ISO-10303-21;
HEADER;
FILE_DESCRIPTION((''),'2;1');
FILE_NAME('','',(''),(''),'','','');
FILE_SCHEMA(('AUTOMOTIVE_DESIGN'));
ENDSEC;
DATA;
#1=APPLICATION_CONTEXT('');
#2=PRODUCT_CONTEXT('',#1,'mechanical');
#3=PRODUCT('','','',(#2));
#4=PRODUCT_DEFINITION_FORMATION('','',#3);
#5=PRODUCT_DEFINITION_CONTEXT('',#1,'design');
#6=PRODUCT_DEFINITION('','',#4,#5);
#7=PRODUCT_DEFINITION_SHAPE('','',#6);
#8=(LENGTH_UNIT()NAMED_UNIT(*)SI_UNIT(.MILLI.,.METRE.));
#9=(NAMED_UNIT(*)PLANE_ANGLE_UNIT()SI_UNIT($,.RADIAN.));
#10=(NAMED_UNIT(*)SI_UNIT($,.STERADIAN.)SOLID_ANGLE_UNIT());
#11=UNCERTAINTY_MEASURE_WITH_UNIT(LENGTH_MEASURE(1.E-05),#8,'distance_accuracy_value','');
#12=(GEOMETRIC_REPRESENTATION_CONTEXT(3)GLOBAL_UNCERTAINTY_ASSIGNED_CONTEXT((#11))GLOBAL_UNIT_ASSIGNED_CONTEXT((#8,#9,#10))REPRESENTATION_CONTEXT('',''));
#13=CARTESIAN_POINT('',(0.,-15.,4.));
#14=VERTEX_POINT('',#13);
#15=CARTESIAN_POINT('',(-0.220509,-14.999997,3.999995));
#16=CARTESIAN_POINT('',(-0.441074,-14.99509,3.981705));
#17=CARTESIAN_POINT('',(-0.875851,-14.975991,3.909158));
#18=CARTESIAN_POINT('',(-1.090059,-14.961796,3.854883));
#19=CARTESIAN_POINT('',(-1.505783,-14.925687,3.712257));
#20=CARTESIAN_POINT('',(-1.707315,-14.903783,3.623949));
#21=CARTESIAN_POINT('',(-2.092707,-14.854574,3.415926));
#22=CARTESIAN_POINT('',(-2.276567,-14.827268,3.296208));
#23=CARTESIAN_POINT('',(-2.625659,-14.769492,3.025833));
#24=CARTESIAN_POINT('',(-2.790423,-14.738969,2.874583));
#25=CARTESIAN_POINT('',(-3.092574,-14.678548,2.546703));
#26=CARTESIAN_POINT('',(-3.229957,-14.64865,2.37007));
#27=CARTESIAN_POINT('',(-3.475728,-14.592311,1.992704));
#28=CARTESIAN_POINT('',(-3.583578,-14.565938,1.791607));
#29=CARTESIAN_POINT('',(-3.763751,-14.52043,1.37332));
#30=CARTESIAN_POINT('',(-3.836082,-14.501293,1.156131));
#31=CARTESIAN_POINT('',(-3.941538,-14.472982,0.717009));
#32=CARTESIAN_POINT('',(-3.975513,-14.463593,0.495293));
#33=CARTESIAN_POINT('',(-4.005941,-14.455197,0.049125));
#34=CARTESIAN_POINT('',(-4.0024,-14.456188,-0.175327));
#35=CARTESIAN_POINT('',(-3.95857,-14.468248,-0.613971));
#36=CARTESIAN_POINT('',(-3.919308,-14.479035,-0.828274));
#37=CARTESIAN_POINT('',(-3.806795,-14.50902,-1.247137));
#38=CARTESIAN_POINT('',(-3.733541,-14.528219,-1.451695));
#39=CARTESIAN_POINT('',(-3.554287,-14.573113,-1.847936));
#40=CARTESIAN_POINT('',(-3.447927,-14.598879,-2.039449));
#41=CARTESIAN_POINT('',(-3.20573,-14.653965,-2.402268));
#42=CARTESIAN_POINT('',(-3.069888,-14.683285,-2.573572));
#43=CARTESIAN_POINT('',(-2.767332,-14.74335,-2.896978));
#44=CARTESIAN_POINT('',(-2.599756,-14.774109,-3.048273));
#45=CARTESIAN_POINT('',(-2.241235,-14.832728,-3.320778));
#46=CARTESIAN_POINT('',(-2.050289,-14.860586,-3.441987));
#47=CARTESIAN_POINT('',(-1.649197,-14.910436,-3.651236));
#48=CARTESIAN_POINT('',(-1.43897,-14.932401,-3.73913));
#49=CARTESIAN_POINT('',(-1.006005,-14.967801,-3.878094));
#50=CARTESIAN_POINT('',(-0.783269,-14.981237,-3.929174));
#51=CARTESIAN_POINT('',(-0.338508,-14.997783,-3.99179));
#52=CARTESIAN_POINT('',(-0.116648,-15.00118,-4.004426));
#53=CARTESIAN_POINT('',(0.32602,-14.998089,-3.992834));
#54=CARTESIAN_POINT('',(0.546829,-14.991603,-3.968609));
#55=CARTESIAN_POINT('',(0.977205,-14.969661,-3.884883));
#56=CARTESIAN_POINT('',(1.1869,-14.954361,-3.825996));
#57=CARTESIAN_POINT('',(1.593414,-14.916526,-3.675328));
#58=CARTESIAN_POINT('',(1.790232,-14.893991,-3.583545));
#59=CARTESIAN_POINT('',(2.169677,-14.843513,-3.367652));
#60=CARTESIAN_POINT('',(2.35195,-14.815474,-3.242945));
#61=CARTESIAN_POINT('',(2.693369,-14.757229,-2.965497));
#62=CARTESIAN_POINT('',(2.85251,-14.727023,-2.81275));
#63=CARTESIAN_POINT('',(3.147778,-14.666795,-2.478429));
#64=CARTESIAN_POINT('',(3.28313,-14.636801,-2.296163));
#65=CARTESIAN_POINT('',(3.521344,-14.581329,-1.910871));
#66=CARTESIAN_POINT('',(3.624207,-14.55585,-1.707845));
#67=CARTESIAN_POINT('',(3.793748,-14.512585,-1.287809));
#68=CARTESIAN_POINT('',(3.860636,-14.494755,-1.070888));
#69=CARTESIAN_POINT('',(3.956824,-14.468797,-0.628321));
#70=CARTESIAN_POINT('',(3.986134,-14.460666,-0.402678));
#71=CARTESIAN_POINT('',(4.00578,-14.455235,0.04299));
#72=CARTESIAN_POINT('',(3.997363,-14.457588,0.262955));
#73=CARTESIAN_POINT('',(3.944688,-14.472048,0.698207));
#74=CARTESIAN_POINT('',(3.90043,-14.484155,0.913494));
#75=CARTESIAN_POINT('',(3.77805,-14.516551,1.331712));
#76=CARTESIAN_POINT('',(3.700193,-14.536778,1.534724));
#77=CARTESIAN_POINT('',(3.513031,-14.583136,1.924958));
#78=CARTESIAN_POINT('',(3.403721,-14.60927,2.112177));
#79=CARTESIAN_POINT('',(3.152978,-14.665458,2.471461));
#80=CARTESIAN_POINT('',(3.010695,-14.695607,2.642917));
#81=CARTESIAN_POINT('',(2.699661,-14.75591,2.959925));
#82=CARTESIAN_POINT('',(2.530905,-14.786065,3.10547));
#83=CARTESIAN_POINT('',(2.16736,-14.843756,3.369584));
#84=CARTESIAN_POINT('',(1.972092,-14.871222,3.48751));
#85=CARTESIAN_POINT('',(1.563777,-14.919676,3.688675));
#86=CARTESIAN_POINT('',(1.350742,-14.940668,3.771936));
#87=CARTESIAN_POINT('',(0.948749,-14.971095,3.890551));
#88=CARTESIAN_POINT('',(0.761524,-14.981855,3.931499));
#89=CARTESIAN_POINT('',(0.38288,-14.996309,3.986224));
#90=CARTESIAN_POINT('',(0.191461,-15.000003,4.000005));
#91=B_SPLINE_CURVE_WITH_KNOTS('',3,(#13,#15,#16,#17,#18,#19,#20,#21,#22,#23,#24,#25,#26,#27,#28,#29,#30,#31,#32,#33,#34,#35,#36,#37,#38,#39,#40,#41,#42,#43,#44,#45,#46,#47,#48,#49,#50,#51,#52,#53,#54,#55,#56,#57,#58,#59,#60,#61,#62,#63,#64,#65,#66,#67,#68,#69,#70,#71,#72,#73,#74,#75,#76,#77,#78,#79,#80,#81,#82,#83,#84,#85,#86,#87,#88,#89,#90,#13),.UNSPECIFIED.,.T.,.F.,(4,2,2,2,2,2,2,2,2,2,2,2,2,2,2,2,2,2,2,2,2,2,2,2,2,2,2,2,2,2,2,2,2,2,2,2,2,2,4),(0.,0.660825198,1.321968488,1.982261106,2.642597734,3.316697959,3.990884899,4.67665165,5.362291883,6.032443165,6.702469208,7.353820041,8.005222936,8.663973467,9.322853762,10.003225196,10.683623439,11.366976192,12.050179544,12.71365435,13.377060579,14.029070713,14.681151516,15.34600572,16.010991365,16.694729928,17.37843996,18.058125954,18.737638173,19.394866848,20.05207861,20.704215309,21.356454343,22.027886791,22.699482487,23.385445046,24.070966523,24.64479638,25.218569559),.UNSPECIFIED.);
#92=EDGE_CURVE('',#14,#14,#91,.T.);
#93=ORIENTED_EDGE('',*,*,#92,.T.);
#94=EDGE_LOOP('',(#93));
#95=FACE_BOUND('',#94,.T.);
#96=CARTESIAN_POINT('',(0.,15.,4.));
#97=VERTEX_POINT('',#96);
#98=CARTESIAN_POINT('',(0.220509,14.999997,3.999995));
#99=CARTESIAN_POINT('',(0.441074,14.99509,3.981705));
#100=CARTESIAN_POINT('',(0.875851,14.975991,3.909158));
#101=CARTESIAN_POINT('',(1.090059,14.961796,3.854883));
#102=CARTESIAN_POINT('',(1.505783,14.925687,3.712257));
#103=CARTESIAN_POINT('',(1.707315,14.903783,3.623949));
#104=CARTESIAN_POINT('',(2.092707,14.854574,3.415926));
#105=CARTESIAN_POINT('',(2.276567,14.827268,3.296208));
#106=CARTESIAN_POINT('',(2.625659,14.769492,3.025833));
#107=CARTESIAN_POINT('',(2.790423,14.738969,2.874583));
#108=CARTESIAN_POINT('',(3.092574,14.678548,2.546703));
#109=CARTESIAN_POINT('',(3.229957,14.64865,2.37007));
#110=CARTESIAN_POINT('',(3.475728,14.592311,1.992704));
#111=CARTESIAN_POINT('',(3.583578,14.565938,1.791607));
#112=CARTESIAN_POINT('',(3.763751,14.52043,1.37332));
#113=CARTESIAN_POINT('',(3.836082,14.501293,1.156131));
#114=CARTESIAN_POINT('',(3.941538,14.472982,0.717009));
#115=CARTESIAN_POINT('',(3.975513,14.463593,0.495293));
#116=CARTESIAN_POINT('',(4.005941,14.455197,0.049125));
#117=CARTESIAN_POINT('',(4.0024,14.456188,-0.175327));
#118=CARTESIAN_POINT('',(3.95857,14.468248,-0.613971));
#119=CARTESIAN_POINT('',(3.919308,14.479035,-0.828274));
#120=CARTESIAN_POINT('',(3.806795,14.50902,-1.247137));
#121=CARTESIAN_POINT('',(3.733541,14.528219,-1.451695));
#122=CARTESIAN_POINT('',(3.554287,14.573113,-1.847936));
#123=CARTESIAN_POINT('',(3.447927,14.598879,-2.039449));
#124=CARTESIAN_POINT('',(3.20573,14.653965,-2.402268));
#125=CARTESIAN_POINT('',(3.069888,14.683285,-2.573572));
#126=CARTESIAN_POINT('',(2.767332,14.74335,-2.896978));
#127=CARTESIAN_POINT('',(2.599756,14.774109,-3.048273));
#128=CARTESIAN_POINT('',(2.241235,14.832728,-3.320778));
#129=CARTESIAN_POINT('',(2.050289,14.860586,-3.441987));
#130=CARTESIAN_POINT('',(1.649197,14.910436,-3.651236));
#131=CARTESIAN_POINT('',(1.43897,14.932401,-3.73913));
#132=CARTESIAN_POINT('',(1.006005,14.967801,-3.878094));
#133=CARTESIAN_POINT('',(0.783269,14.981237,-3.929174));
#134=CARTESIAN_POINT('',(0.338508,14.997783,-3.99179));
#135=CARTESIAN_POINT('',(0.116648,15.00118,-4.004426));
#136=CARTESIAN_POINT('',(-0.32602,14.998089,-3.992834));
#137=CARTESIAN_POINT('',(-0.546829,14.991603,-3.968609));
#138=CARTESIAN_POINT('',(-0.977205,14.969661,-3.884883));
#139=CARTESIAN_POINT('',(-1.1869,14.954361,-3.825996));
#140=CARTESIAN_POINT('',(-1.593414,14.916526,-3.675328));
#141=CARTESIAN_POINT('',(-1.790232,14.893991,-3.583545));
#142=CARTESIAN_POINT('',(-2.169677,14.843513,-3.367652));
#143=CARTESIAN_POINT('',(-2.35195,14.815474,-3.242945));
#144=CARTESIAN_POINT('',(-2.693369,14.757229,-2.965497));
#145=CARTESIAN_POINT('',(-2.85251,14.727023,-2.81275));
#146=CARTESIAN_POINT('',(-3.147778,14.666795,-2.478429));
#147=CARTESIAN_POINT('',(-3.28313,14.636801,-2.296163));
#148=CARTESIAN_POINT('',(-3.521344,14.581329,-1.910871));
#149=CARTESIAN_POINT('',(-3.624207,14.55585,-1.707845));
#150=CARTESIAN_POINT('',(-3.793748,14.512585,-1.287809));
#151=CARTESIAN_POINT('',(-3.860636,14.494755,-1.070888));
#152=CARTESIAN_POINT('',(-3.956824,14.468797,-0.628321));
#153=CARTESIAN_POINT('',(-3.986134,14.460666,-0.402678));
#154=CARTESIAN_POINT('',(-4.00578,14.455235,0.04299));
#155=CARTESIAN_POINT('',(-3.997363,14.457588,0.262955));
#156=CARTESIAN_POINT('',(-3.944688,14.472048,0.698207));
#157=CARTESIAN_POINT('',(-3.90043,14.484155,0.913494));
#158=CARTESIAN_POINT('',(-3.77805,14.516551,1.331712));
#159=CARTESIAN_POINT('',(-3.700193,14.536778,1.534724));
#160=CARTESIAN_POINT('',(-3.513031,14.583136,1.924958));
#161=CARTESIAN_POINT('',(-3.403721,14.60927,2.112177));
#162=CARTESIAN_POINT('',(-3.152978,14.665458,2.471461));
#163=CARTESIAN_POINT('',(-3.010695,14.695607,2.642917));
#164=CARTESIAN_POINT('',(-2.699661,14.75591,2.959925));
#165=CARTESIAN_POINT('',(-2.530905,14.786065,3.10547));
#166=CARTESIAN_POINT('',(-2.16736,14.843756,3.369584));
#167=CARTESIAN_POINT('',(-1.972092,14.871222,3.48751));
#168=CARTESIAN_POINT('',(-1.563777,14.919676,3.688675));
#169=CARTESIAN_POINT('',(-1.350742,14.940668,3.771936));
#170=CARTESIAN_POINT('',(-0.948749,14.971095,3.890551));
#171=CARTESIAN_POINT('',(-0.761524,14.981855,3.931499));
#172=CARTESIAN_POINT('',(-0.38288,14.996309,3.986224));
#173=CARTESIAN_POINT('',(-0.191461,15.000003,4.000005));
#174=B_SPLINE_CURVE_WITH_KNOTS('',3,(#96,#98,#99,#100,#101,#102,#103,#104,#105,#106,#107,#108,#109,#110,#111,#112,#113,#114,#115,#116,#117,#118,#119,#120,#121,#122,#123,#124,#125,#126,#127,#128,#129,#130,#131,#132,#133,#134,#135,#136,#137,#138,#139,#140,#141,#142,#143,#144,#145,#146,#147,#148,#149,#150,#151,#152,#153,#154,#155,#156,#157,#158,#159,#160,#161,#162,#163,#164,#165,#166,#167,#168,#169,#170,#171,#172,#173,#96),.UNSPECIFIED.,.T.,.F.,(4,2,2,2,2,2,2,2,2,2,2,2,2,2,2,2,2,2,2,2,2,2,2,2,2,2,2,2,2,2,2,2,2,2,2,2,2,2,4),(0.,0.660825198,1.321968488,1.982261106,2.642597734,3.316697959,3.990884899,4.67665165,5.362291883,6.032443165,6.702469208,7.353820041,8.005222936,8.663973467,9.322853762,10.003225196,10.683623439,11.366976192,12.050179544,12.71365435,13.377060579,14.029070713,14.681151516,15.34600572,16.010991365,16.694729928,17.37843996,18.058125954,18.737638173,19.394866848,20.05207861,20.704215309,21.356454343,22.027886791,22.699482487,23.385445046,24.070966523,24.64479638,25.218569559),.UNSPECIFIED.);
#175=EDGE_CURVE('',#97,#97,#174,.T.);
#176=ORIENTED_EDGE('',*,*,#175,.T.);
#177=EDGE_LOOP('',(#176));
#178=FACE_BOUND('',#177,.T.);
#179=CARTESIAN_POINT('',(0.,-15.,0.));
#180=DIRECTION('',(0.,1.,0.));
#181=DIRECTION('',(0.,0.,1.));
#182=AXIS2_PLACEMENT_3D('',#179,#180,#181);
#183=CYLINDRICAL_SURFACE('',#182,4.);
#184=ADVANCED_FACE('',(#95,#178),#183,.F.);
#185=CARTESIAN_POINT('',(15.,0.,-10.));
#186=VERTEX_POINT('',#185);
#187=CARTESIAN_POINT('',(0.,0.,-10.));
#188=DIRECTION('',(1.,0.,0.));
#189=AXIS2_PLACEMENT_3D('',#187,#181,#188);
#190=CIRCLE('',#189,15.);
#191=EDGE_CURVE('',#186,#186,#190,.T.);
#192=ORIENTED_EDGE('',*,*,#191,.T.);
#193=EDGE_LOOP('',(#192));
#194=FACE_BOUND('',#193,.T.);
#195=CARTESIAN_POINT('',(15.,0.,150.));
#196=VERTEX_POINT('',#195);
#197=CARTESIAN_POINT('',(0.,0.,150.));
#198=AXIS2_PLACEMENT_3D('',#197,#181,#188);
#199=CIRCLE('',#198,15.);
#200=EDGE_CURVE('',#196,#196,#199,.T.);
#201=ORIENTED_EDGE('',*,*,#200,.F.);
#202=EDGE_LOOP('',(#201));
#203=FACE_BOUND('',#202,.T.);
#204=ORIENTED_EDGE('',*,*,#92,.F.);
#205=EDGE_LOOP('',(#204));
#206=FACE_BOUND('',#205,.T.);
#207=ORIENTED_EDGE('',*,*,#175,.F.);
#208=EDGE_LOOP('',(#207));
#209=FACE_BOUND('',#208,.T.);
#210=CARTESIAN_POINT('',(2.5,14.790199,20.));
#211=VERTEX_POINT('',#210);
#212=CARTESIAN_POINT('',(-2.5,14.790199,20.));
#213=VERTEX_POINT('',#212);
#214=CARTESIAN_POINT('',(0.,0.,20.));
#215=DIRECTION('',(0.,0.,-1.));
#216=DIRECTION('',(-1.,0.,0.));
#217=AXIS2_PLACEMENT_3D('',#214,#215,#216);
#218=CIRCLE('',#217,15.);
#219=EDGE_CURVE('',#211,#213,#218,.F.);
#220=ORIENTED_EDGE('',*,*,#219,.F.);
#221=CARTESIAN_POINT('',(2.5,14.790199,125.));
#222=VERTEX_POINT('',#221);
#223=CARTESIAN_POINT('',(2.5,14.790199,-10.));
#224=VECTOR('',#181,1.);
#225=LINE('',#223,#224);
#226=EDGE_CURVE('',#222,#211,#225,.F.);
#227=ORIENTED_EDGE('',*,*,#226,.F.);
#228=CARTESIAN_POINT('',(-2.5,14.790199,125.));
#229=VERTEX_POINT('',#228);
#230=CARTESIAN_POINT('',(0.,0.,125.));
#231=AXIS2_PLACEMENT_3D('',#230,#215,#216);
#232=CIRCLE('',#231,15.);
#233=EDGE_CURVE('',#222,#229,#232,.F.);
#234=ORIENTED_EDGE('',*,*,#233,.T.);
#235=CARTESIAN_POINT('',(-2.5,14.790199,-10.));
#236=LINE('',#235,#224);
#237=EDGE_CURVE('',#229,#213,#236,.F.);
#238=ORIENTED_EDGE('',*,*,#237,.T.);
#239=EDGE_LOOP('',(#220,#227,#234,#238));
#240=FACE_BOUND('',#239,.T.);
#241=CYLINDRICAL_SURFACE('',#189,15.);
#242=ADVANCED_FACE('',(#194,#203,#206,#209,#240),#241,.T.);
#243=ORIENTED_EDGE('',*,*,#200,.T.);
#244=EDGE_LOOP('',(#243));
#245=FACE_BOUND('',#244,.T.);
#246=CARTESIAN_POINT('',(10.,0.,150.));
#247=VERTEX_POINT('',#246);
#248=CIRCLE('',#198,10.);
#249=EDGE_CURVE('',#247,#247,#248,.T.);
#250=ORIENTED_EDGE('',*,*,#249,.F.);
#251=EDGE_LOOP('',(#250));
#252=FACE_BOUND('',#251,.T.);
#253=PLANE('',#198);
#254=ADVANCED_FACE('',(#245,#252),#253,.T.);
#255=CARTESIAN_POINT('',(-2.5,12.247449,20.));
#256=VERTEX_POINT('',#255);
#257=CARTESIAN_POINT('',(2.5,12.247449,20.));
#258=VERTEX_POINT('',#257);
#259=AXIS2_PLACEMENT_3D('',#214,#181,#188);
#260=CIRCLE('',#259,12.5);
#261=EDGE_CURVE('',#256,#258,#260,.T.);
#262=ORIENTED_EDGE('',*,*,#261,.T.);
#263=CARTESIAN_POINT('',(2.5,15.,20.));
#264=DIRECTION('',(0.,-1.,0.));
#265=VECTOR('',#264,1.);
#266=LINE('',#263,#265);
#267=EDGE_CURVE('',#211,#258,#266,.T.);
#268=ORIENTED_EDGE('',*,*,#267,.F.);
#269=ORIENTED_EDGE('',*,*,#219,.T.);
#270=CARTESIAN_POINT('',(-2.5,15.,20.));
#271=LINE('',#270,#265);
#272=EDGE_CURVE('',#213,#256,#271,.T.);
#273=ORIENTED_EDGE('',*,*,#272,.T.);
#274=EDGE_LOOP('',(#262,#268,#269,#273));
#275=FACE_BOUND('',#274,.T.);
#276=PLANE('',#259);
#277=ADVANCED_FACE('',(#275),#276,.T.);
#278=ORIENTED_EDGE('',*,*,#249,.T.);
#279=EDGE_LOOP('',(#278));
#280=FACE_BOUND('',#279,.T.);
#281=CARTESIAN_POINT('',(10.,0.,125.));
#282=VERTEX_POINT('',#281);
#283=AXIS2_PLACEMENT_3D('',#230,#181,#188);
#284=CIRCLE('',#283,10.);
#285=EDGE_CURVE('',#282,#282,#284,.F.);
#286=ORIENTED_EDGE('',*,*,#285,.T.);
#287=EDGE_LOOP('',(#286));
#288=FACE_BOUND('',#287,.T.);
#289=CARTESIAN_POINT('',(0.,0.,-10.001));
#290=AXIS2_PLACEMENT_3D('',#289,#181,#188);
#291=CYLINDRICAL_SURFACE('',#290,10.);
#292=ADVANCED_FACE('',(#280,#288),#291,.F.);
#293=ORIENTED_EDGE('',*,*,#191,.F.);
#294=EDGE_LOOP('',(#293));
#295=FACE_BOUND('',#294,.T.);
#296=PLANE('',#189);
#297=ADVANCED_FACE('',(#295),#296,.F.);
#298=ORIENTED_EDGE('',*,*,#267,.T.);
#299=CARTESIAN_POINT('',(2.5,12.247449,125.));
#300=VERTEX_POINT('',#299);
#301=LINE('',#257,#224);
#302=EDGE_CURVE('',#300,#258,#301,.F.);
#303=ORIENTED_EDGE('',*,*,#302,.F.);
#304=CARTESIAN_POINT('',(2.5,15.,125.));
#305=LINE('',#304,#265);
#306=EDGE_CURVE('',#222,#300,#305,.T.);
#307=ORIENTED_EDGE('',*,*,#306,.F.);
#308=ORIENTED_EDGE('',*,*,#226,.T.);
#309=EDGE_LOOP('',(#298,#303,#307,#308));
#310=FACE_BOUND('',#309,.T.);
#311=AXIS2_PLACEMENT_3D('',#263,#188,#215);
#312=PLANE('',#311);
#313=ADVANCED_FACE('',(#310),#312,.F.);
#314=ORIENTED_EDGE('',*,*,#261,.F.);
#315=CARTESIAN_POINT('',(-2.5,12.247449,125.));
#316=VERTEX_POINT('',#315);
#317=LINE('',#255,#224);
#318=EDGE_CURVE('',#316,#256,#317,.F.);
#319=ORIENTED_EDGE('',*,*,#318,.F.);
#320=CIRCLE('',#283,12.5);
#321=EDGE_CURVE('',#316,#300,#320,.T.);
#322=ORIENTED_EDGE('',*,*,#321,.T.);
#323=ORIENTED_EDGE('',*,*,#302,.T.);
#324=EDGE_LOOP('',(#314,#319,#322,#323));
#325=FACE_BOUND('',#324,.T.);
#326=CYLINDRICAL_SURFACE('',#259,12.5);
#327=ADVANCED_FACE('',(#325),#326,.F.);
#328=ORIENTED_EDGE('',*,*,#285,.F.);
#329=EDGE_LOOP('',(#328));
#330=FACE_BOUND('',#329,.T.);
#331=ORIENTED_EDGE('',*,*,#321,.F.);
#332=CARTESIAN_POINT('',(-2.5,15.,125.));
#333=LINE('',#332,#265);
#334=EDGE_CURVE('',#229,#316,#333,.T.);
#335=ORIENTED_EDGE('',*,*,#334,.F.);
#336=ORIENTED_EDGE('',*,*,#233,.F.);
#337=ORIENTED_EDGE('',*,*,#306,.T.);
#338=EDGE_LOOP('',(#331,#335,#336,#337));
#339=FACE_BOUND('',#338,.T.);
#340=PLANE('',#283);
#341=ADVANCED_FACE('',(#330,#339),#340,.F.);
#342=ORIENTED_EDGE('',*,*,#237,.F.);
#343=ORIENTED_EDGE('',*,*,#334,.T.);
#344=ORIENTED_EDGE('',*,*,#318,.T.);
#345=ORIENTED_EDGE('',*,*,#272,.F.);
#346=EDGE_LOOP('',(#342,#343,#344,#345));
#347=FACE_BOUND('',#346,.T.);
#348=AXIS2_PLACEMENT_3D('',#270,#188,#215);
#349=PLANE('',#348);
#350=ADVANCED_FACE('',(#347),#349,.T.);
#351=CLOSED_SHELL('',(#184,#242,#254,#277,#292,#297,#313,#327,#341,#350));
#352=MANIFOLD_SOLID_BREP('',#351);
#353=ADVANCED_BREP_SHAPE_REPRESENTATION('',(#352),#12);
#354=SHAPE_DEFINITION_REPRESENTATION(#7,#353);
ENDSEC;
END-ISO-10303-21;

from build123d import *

# Parameters (mm, degrees)
BOSS_EXTRUDE1_DEPTH      = 150
BOSS_EXTRUDE1_DEPTH_BACK = 10
SKETCH1_R                = 15
SKETCH3_R                = 12.5
CUT_EXTRUDE2_DEPTH       = 105
CUT_EXTRUDE3_REACH       = 163.4
SKETCH4_R                = 10
CUT_EXTRUDE4_DEPTH       = 152.492574075
CUT_EXTRUDE4_DEPTH_BACK  = 152.492574075
SKETCH5_R                = 4
SKETCH6_W                = 5
SKETCH6_H                = 105
CUT_EXTRUDE12_DEPTH      = 152.492574194


with BuildPart() as part:
    # Sketch1 → Boss-Extrude1 (new, two sides: drawn at the far end of the back side and taken through both)
    with BuildSketch(Plane.XY.offset(-BOSS_EXTRUDE1_DEPTH_BACK)):
        Circle(SKETCH1_R)
    extrude(amount=BOSS_EXTRUDE1_DEPTH + BOSS_EXTRUDE1_DEPTH_BACK)

    # Sketch3 → Cut-Extrude2 (cut)
    with BuildSketch(Plane.XY.offset(125)):
        Circle(SKETCH3_R)
    extrude(amount=-CUT_EXTRUDE2_DEPTH, mode=Mode.SUBTRACT)

    # Sketch4 → Cut-Extrude3 (cut, up to next)
    with BuildSketch(Plane.XY.offset(150), mode=Mode.PRIVATE) as cut_extrude3_sk1:
        Circle(SKETCH4_R)
    cut_extrude3_tool1 = extrude(cut_extrude3_sk1.sketch, amount=-CUT_EXTRUDE3_REACH, mode=Mode.PRIVATE) & part.part
    add(cut_extrude3_tool1.solids().sort_by_distance((0, 0, 150))[0], mode=Mode.SUBTRACT)

    # Sketch5 → Cut-Extrude4 (cut, two sides: drawn at the far end of the back side and taken through both)
    with BuildSketch(Plane(origin=(0, 0, 0), x_dir=(1, 0, 0), z_dir=(0, 1, 0)).offset(-CUT_EXTRUDE4_DEPTH_BACK)):
        with Locations(Location((0, 0, 0), (0, 0, 270))):
            Circle(SKETCH5_R)
    extrude(amount=CUT_EXTRUDE4_DEPTH + CUT_EXTRUDE4_DEPTH_BACK, mode=Mode.SUBTRACT)

    # Sketch6 → Cut-Extrude12 (cut, through all)
    with BuildSketch(Plane(origin=(0, 0, 0), x_dir=(1, 0, 0), z_dir=(0, 1, 0))):
        with Locations((0, -72.5)):
            Rectangle(SKETCH6_W, SKETCH6_H)
    extrude(amount=CUT_EXTRUDE12_DEPTH, mode=Mode.SUBTRACT)


solid = part.part
